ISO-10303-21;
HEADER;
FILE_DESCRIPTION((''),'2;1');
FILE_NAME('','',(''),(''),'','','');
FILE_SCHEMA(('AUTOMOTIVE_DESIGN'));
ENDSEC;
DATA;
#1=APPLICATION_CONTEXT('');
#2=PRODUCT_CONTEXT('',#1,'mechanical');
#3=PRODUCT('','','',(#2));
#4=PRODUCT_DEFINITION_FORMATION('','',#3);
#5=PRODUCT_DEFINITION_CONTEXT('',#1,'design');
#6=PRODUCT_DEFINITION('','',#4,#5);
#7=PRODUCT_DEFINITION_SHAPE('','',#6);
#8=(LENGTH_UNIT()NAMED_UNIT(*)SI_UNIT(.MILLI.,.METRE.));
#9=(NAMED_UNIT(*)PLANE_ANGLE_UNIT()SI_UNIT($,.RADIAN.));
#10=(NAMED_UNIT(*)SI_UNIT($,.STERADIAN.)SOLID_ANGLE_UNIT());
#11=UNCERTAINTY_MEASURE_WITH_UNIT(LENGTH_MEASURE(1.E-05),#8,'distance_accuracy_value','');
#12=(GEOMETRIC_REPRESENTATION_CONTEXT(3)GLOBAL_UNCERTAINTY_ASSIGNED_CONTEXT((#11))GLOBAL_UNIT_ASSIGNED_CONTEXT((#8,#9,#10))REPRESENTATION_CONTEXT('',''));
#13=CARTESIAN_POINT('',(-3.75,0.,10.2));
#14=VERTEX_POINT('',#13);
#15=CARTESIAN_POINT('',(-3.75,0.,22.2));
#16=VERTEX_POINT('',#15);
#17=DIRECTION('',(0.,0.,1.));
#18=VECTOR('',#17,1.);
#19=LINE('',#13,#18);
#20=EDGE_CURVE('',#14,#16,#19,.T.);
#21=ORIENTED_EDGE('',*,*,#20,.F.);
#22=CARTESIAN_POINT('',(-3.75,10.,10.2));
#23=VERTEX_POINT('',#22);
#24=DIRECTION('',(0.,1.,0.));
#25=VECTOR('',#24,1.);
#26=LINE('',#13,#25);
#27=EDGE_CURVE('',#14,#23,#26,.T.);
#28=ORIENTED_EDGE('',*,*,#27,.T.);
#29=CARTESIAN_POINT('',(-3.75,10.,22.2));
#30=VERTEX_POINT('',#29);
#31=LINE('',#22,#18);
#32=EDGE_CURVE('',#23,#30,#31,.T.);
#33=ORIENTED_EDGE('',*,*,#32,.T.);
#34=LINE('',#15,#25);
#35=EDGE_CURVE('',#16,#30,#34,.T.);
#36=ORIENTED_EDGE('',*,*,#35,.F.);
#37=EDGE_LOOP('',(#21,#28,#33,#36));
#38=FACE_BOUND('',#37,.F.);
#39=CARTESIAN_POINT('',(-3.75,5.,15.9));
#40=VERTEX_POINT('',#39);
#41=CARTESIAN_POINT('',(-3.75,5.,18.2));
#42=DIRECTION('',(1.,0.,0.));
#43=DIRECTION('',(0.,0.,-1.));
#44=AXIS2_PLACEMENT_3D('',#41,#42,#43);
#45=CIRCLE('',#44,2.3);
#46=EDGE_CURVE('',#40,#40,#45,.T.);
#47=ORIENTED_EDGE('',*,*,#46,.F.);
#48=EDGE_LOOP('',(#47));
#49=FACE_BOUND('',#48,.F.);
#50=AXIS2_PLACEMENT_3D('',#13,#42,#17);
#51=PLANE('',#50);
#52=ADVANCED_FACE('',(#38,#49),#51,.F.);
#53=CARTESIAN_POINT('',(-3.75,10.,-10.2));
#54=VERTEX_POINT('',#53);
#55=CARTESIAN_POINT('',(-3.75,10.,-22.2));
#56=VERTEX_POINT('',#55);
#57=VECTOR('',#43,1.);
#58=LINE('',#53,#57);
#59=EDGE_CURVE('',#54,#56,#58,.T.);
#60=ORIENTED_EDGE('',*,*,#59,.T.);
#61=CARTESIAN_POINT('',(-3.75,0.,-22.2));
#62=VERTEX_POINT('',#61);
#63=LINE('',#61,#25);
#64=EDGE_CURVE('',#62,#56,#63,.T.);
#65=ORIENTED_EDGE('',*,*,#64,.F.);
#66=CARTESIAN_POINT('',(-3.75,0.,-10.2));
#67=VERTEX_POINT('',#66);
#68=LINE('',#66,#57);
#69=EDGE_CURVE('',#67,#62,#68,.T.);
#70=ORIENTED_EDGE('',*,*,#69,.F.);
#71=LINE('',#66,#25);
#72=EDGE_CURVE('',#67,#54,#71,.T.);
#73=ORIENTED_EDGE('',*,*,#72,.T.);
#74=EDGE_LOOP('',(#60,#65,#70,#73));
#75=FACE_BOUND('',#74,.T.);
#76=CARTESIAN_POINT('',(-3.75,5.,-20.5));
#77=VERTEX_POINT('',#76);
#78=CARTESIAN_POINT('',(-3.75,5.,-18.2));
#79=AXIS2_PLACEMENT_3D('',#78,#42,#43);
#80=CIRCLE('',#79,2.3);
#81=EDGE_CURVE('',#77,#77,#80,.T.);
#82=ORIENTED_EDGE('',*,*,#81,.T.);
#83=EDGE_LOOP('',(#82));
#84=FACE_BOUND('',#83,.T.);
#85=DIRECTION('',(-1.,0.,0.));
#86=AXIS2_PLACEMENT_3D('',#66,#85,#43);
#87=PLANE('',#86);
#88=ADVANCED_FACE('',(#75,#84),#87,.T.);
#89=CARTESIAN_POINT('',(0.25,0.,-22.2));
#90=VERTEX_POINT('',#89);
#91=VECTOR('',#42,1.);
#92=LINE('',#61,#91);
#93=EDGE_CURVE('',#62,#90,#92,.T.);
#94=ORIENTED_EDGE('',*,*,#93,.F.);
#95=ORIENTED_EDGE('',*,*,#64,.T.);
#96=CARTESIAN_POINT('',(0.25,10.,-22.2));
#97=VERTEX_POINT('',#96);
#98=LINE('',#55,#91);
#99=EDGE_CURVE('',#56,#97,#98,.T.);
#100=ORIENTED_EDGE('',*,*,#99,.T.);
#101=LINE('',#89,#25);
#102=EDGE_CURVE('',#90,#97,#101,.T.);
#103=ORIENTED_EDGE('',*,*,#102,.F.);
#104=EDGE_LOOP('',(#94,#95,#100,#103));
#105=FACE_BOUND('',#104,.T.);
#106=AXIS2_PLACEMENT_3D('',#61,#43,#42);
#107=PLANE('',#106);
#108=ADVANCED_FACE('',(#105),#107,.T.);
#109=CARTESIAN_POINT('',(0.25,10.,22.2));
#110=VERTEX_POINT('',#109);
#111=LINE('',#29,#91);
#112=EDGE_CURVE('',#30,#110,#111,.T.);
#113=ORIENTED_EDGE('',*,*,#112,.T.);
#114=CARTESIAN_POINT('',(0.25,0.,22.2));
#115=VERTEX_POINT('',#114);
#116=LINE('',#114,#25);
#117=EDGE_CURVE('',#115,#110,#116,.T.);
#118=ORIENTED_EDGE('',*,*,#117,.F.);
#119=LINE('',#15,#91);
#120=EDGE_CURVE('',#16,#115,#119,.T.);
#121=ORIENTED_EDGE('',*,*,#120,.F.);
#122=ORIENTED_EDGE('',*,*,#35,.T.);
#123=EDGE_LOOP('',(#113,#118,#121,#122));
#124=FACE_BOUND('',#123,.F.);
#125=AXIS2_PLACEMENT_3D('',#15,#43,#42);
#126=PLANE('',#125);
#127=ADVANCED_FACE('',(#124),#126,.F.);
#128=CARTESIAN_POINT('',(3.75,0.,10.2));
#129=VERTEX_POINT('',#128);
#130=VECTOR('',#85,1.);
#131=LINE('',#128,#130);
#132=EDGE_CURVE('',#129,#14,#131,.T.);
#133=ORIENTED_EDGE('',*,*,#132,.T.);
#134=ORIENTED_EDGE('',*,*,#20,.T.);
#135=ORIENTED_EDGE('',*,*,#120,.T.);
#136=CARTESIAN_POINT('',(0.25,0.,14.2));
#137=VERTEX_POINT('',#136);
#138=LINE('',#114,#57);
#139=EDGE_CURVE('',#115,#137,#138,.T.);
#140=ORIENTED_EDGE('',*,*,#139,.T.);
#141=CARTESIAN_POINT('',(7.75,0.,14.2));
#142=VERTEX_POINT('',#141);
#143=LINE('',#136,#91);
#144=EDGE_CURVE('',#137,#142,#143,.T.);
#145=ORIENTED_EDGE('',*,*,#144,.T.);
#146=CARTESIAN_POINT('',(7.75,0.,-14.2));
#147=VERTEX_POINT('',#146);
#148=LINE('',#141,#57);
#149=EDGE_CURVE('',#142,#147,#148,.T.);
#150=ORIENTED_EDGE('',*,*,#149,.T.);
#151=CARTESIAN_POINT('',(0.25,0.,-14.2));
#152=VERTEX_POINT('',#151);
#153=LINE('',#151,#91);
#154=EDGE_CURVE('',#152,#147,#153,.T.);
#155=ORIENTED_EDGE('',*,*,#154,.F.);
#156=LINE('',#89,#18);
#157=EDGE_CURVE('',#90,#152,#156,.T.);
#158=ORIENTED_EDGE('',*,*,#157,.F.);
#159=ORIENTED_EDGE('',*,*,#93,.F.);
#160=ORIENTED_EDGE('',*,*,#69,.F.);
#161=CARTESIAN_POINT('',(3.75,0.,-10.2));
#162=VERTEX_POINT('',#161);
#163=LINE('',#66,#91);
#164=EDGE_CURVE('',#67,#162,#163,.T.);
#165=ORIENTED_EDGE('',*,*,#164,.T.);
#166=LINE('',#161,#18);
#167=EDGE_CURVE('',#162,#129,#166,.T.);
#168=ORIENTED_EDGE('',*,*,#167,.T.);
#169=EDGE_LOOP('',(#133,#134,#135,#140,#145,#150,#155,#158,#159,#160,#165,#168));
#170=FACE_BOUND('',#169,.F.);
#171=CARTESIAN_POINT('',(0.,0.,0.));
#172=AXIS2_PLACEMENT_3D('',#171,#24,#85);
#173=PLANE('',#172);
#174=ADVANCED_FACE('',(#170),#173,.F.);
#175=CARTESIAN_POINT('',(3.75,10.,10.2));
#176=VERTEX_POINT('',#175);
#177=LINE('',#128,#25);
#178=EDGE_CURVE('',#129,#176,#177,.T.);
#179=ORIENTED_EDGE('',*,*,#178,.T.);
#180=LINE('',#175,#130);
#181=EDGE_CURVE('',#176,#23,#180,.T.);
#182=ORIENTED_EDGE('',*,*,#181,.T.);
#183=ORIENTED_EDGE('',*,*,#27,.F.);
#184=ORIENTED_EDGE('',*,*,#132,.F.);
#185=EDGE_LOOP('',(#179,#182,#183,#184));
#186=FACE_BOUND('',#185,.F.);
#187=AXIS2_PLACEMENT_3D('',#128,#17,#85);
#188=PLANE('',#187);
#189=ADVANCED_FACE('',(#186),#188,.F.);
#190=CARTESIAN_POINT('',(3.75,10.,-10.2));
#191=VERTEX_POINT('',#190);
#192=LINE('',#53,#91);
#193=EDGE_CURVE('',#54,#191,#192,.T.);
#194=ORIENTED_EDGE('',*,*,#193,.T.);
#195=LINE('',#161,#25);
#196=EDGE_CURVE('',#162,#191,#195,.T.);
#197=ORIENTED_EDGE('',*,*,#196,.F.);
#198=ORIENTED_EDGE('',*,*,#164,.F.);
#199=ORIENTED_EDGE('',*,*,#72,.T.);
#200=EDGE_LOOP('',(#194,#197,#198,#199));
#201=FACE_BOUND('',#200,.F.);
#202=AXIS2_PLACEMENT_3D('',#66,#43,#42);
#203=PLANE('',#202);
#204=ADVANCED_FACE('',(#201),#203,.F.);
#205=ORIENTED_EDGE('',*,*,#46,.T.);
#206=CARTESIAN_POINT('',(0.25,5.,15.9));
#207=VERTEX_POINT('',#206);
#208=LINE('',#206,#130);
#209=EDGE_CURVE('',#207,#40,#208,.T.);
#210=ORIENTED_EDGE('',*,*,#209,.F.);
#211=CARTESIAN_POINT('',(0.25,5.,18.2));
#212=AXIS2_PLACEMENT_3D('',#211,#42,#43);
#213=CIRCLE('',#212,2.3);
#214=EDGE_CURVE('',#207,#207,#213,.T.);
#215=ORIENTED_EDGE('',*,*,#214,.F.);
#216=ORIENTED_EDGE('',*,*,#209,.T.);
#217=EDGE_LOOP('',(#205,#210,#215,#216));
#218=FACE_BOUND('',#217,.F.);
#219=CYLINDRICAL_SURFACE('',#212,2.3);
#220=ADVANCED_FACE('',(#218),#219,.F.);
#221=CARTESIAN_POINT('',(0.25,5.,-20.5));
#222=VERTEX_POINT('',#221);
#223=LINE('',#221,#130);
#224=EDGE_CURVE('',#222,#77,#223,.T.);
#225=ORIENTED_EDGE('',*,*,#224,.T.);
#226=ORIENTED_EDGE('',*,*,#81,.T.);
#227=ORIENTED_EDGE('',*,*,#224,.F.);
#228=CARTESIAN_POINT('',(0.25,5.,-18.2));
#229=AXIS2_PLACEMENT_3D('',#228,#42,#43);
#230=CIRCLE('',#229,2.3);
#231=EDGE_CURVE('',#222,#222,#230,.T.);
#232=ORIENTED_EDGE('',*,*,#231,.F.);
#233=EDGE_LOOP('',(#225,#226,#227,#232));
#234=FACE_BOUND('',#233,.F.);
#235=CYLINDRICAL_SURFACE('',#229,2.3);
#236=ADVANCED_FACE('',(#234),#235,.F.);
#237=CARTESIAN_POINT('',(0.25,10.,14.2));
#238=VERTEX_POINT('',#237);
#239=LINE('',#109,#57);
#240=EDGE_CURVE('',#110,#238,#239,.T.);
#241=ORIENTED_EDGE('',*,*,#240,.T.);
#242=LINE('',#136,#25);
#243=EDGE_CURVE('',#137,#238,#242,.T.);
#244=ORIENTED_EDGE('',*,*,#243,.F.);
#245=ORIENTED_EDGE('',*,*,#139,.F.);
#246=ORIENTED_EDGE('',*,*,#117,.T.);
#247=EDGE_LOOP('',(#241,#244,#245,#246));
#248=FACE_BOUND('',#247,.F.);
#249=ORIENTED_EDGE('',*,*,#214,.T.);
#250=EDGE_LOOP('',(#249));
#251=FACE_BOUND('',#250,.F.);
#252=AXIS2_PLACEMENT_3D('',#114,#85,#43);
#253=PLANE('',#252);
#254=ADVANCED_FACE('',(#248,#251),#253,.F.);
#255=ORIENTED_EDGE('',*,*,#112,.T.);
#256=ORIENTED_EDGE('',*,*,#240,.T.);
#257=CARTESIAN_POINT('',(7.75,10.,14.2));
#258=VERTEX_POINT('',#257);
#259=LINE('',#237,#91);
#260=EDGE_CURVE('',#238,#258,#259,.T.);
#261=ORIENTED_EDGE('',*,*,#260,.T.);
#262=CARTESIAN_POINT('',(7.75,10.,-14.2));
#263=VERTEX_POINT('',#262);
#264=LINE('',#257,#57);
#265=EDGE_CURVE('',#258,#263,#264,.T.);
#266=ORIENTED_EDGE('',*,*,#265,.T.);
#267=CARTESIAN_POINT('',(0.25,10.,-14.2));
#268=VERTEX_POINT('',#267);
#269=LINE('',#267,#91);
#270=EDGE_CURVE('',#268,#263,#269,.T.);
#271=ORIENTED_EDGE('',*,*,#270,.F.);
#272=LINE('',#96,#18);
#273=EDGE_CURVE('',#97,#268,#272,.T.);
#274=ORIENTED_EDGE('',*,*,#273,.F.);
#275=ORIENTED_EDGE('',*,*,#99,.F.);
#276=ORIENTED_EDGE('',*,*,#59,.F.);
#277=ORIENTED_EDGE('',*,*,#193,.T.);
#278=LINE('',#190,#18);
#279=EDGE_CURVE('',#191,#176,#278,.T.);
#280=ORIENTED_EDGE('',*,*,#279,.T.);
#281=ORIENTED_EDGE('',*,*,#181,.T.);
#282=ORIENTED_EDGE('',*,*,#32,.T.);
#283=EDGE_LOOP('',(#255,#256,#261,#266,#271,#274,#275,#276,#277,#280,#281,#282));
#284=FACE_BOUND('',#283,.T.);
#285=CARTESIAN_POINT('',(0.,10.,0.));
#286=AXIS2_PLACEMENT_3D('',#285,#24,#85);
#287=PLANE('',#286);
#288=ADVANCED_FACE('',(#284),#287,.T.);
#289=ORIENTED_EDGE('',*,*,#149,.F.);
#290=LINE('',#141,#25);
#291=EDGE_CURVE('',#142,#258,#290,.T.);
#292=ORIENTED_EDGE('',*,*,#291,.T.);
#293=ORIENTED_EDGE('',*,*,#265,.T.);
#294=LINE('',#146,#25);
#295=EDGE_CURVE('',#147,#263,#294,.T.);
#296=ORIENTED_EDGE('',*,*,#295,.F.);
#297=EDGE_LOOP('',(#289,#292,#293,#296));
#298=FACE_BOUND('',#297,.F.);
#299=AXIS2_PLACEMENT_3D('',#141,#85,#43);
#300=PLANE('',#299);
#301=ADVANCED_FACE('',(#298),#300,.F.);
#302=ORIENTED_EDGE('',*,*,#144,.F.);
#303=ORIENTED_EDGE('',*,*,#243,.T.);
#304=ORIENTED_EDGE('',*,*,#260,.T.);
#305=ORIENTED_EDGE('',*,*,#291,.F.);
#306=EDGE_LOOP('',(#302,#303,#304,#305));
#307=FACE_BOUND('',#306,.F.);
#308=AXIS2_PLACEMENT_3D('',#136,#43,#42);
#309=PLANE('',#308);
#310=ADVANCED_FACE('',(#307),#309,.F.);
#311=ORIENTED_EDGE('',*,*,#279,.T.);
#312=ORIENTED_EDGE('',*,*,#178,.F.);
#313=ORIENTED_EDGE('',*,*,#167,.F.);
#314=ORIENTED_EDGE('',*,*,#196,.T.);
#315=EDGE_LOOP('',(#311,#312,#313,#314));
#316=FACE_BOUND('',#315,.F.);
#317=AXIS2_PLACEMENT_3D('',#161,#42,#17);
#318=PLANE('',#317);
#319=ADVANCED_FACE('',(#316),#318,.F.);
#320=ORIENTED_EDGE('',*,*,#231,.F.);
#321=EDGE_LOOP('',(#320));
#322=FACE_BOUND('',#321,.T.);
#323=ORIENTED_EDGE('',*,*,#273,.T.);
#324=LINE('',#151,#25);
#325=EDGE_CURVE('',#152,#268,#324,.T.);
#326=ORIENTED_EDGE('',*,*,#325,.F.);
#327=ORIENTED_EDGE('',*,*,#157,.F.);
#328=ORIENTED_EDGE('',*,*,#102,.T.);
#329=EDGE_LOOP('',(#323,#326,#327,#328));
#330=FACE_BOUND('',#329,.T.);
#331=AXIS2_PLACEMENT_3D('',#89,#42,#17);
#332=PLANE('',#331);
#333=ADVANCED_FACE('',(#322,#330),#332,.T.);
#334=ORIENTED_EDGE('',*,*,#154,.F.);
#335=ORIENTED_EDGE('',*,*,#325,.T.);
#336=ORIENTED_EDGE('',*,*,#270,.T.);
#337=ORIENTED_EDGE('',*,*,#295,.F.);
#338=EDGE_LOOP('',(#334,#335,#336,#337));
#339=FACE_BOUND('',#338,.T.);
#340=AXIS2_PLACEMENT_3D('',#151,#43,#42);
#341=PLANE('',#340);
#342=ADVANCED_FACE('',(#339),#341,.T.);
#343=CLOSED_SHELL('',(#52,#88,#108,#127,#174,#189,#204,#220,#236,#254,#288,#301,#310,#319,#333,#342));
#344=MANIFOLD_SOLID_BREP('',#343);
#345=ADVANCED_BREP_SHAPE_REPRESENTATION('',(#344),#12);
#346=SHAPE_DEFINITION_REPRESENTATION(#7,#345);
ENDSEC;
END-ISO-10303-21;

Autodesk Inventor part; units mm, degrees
ref_plane "YZ Plane" through (0, 0, 0) normal (1, 0, 0) x (0, 1, 0)
ref_plane "XZ Plane" through (0, 0, 0) normal (0, 1, 0) x (-1, 0, 0)
ref_plane "XY Plane" through (0, 0, 0) normal (0, 0, 1) x (1, 0, 0)
sketch "Sketch1" plane through (0, 0, 0) normal (0, 1, 0) x (-1, 0, 0)
  line L0 (-3.75, 10.2) -> (3.75, 10.2)
  line L1 (3.75, -10.2) -> (-3.75, -10.2)
  line L2 (-3.75, -10.2) -> (-3.75, 10.2)
  line L3 (-3.75, 10.2) -> (3.75, -10.2) construction
  line L4 (3.75, 10.2) -> (-3.75, -10.2) construction
  line L5 (3.75, 10.2) -> (3.75, 22.2)
  line L6 (-3.75, 0) -> (6.7195, 0) construction
  line L7 (3.75, -10.2) -> (3.75, -22.2)
  line L8 (3.75, 22.2) -> (-0.25, 22.2)
  line L9 (-0.25, 22.2) -> (-0.25, 14.2)
  line L10 (-0.25, 14.2) -> (-7.75, 14.2)
  line L11 (3.75, -22.2) -> (-0.25, -22.2)
  line L12 (-0.25, -22.2) -> (-0.25, -14.2)
  line L13 (-0.25, -14.2) -> (-7.75, -14.2)
  line L14 (-7.75, 14.2) -> (-7.75, -14.2)
  point P0 (0, 0)
  dimension "d0" = 7.5
  dimension "d1" = 20.4
  dimension "d2" = 12
  dimension "d3" = 7.5
  dimension "d5" = 4
  dimension "d6" = 8
  dimension "d7" = 7.5
extrude "Extrusion1" add sketch "Sketch1" along normal blind 10
sketch "Sketch2" plane through (0.25, 0, 22.2) normal (1, 0, 0) x (0, 0, -1)
  line L0 (22.2, 0) -> (22.2, 12.2527) construction
  line L1 (0, 0) -> (0, 10) construction
  line L2 (8, 0) -> (36.4, 0) construction
  line L3 (0, 10) -> (8, 0) construction
  circle A0 centre (4, 5) radius 2.3
  circle A1 centre (40.4, 5) radius 2.3
  dimension "d10" = 4.6
extrude "Extrusion2" cut sketch "Sketch2" against normal through all
properties part number "3d_print_actuator_mount"
